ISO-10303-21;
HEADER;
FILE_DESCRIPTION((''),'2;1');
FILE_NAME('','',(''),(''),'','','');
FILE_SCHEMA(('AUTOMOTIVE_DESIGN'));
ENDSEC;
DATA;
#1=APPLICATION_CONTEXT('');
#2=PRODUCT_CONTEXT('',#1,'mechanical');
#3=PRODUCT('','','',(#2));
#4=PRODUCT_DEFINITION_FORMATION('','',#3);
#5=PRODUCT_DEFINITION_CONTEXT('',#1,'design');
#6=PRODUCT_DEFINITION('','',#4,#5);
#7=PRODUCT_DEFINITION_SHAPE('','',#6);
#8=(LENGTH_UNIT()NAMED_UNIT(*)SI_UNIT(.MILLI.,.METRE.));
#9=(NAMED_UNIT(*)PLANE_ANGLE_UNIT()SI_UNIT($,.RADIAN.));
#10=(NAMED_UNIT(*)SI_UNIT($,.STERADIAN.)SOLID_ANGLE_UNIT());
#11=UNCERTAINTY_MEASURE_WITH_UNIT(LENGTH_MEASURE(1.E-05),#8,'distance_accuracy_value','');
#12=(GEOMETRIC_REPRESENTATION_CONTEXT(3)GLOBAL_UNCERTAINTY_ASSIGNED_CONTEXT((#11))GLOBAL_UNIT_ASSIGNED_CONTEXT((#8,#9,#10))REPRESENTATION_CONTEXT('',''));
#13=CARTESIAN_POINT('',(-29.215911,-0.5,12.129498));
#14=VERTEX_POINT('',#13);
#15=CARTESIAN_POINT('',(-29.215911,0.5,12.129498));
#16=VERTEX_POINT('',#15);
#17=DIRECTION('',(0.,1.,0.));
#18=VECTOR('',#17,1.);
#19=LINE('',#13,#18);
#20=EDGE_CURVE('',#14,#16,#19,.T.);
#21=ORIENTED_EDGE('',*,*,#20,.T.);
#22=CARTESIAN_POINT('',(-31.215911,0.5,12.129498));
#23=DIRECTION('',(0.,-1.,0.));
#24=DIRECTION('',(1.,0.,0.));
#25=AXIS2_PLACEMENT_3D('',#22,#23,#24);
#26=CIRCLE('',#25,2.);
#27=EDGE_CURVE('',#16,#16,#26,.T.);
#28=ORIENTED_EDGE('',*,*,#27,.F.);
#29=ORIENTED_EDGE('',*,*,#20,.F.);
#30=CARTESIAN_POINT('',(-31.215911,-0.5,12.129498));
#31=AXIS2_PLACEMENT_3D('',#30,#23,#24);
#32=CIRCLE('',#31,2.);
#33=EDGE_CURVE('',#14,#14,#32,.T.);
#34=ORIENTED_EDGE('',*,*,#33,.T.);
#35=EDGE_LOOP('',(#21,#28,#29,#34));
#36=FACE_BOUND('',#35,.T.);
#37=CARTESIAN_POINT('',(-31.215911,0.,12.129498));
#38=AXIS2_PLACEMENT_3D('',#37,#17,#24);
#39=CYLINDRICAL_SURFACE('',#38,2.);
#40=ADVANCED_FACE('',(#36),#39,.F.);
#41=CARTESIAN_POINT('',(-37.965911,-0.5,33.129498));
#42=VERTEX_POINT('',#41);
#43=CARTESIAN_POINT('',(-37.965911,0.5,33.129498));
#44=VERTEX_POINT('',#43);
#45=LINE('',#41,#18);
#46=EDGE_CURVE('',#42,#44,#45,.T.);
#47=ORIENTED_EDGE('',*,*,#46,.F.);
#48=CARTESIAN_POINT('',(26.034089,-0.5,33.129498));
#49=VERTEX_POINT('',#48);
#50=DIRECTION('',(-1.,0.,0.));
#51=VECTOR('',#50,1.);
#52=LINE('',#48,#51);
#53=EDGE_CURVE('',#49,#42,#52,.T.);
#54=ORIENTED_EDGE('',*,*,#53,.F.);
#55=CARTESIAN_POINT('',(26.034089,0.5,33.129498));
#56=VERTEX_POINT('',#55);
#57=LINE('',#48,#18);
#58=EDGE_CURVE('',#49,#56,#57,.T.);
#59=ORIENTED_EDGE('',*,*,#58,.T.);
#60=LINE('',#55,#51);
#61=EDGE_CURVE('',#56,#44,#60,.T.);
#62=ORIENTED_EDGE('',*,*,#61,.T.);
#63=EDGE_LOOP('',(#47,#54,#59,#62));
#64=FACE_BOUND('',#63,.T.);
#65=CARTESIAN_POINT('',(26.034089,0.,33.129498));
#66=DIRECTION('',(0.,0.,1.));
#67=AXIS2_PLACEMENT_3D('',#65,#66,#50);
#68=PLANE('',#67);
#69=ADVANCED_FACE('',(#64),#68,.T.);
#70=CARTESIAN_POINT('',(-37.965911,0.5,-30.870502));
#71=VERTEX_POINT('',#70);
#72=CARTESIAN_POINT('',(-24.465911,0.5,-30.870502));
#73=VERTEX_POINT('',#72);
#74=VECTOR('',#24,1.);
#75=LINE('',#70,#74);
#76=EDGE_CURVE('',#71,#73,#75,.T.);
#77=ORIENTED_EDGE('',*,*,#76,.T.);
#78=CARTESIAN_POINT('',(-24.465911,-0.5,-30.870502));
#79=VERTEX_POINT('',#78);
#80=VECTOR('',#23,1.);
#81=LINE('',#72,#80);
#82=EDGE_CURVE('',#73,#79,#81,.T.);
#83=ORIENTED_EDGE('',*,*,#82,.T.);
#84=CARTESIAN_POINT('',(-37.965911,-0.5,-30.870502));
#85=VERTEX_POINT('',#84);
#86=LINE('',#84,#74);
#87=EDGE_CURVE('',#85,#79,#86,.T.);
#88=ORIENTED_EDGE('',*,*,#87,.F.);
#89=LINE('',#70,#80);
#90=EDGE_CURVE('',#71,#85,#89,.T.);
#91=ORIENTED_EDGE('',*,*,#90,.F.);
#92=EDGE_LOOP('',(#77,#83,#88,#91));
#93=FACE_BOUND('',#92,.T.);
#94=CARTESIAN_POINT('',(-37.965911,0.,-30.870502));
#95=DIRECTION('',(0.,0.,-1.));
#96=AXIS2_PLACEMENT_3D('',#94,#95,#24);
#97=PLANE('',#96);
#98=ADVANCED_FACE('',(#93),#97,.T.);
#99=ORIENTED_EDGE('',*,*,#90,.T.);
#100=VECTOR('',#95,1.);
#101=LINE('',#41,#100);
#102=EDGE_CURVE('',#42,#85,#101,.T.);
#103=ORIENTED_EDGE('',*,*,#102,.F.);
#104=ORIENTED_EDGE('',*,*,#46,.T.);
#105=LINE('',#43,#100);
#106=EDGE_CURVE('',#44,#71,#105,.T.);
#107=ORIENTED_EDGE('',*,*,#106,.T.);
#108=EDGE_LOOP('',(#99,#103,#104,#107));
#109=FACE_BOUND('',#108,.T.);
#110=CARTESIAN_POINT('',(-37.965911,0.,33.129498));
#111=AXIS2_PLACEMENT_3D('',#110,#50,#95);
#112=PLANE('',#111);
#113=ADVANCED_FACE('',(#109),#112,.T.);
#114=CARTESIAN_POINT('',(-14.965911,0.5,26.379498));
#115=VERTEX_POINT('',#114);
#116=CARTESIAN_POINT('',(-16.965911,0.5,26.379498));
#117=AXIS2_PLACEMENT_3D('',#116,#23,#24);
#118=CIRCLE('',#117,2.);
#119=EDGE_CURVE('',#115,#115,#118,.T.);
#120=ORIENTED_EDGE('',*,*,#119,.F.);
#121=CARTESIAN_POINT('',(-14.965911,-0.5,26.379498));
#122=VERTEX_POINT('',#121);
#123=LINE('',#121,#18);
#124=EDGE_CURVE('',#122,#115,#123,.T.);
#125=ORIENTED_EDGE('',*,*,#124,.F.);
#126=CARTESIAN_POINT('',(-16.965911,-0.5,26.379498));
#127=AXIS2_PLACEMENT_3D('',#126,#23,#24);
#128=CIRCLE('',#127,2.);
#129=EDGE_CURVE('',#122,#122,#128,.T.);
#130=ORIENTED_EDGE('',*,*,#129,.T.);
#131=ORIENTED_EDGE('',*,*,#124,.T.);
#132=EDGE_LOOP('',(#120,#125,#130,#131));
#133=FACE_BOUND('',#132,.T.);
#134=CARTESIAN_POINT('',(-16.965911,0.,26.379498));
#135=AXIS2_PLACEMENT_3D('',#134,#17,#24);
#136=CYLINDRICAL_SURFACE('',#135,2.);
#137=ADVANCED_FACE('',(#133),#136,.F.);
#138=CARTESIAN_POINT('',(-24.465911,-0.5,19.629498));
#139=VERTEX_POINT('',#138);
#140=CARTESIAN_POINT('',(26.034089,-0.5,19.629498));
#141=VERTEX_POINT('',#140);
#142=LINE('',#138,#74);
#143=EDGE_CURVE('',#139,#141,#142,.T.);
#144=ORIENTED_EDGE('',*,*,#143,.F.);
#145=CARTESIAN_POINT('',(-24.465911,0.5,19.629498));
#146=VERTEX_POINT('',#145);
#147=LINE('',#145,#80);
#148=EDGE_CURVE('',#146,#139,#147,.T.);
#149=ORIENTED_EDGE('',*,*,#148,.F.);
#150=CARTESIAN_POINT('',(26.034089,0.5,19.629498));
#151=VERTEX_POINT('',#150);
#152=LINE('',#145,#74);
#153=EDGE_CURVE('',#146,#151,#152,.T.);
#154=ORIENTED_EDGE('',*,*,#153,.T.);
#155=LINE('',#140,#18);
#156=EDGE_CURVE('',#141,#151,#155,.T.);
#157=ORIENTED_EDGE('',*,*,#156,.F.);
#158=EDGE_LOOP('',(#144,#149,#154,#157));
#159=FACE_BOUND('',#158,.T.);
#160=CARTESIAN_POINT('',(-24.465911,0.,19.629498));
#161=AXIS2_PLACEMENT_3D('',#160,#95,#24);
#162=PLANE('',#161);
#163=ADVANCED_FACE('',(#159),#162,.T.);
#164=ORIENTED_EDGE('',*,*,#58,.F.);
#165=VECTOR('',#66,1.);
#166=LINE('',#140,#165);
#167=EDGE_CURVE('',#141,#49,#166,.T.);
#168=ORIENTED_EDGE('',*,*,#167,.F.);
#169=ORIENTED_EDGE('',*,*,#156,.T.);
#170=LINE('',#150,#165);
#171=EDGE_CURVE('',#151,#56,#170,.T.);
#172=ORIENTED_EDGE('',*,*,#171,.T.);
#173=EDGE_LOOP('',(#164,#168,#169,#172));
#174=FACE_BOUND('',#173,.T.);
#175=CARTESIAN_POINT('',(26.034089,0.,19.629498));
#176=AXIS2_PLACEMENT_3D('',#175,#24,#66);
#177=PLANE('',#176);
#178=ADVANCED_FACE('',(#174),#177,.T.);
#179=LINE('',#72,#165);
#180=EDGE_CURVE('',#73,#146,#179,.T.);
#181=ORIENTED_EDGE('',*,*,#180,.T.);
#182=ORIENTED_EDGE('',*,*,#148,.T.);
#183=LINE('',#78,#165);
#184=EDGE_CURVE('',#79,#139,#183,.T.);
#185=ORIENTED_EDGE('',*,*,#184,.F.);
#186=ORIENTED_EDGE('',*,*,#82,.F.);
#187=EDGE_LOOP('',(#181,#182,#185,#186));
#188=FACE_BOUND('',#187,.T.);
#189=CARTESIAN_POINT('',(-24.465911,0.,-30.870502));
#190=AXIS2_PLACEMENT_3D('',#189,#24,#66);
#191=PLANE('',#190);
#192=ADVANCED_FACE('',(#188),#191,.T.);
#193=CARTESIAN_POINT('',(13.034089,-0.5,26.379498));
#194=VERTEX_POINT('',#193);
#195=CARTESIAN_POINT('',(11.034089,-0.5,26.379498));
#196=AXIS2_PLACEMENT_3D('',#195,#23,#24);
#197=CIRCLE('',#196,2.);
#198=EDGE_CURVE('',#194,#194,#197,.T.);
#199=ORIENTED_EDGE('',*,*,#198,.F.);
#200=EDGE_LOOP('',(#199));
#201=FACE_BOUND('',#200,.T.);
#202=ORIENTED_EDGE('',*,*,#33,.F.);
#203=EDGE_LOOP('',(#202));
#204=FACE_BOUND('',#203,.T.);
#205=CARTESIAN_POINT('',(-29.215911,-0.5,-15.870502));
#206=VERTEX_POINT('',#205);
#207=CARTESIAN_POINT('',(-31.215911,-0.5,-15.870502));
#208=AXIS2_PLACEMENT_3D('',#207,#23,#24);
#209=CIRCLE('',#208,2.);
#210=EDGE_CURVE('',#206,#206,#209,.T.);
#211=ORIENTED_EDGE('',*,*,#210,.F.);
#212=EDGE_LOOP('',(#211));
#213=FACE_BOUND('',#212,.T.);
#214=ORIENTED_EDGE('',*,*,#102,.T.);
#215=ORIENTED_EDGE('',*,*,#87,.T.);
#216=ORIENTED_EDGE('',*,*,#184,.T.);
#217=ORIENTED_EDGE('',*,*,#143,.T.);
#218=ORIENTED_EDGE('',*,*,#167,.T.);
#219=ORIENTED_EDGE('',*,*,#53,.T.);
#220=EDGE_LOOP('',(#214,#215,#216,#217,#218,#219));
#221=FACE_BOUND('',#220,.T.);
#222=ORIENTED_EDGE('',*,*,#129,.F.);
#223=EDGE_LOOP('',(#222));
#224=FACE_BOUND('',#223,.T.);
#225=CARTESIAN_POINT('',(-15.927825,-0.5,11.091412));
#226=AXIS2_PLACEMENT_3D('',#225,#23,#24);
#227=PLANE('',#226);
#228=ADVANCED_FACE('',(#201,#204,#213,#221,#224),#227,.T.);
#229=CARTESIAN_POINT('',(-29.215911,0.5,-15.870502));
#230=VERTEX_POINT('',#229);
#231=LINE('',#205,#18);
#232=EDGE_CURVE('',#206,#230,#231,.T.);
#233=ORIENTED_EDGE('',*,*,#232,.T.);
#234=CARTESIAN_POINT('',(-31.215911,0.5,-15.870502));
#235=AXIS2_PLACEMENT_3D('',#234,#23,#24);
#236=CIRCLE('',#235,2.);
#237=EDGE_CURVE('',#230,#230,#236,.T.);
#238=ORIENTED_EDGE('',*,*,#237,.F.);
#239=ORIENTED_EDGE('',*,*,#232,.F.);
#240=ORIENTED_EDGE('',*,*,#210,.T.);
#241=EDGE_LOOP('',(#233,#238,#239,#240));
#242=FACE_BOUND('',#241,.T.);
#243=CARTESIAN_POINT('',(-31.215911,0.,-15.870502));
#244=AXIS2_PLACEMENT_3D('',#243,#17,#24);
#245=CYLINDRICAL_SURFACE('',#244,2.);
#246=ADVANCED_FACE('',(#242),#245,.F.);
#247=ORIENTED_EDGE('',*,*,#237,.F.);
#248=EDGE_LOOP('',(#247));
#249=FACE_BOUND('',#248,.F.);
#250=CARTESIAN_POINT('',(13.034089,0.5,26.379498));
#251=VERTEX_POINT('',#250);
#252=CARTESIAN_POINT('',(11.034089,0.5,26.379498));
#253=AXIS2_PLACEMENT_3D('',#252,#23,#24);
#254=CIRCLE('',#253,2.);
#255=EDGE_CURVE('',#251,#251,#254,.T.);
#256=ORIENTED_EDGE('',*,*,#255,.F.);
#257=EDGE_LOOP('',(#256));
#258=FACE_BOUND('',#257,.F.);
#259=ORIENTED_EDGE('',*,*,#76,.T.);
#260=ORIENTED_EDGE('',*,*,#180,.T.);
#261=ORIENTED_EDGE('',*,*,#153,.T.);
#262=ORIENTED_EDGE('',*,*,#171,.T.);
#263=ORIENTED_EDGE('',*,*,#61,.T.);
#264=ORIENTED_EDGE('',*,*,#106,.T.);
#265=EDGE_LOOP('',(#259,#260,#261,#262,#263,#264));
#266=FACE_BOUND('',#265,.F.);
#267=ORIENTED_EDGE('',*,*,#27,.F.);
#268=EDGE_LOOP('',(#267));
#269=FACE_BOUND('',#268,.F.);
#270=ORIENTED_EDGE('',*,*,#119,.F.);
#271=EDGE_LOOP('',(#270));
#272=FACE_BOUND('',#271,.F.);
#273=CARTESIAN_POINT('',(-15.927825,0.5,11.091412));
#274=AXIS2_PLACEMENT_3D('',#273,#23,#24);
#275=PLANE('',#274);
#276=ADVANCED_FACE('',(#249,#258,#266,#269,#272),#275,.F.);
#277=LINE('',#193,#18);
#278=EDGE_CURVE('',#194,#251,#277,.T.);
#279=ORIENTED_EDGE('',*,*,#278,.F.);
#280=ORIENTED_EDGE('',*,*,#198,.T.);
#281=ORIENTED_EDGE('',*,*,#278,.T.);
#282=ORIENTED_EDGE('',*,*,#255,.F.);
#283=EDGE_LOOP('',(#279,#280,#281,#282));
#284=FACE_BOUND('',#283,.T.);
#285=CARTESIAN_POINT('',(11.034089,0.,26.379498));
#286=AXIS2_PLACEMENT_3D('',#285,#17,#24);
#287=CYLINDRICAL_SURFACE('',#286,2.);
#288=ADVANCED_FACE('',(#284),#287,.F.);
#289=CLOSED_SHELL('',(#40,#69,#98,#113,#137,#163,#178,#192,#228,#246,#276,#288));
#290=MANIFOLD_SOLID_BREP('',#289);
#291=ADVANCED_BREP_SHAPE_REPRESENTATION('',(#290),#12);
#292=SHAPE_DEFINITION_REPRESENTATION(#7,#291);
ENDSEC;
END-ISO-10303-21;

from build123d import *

# Parameters (mm, degrees)
F0_R     = 2
F1_DEPTH = 0.5


with BuildPart() as f1:
    # F0 (on Front) → F1 (new body, symmetric)
    with BuildSketch(Plane.XZ):
        Polygon((-37.965911, 33.129498), (-37.965911, -30.870502), (-24.465911, -30.870502), (-24.465911, 19.629498), (26.034089, 19.629498), (26.034089, 33.129498), align=None)
        with Locations((-31.215911, -15.870502)):
            Circle(F0_R, mode=Mode.SUBTRACT)
        with Locations((-31.215911, 12.129498)):
            Circle(F0_R, mode=Mode.SUBTRACT)
        with Locations((-16.965911, 26.379498)):
            Circle(F0_R, mode=Mode.SUBTRACT)
        with Locations((11.034089, 26.379498)):
            Circle(F0_R, mode=Mode.SUBTRACT)
    extrude(amount=F1_DEPTH, both=True)


solid = f1.part
